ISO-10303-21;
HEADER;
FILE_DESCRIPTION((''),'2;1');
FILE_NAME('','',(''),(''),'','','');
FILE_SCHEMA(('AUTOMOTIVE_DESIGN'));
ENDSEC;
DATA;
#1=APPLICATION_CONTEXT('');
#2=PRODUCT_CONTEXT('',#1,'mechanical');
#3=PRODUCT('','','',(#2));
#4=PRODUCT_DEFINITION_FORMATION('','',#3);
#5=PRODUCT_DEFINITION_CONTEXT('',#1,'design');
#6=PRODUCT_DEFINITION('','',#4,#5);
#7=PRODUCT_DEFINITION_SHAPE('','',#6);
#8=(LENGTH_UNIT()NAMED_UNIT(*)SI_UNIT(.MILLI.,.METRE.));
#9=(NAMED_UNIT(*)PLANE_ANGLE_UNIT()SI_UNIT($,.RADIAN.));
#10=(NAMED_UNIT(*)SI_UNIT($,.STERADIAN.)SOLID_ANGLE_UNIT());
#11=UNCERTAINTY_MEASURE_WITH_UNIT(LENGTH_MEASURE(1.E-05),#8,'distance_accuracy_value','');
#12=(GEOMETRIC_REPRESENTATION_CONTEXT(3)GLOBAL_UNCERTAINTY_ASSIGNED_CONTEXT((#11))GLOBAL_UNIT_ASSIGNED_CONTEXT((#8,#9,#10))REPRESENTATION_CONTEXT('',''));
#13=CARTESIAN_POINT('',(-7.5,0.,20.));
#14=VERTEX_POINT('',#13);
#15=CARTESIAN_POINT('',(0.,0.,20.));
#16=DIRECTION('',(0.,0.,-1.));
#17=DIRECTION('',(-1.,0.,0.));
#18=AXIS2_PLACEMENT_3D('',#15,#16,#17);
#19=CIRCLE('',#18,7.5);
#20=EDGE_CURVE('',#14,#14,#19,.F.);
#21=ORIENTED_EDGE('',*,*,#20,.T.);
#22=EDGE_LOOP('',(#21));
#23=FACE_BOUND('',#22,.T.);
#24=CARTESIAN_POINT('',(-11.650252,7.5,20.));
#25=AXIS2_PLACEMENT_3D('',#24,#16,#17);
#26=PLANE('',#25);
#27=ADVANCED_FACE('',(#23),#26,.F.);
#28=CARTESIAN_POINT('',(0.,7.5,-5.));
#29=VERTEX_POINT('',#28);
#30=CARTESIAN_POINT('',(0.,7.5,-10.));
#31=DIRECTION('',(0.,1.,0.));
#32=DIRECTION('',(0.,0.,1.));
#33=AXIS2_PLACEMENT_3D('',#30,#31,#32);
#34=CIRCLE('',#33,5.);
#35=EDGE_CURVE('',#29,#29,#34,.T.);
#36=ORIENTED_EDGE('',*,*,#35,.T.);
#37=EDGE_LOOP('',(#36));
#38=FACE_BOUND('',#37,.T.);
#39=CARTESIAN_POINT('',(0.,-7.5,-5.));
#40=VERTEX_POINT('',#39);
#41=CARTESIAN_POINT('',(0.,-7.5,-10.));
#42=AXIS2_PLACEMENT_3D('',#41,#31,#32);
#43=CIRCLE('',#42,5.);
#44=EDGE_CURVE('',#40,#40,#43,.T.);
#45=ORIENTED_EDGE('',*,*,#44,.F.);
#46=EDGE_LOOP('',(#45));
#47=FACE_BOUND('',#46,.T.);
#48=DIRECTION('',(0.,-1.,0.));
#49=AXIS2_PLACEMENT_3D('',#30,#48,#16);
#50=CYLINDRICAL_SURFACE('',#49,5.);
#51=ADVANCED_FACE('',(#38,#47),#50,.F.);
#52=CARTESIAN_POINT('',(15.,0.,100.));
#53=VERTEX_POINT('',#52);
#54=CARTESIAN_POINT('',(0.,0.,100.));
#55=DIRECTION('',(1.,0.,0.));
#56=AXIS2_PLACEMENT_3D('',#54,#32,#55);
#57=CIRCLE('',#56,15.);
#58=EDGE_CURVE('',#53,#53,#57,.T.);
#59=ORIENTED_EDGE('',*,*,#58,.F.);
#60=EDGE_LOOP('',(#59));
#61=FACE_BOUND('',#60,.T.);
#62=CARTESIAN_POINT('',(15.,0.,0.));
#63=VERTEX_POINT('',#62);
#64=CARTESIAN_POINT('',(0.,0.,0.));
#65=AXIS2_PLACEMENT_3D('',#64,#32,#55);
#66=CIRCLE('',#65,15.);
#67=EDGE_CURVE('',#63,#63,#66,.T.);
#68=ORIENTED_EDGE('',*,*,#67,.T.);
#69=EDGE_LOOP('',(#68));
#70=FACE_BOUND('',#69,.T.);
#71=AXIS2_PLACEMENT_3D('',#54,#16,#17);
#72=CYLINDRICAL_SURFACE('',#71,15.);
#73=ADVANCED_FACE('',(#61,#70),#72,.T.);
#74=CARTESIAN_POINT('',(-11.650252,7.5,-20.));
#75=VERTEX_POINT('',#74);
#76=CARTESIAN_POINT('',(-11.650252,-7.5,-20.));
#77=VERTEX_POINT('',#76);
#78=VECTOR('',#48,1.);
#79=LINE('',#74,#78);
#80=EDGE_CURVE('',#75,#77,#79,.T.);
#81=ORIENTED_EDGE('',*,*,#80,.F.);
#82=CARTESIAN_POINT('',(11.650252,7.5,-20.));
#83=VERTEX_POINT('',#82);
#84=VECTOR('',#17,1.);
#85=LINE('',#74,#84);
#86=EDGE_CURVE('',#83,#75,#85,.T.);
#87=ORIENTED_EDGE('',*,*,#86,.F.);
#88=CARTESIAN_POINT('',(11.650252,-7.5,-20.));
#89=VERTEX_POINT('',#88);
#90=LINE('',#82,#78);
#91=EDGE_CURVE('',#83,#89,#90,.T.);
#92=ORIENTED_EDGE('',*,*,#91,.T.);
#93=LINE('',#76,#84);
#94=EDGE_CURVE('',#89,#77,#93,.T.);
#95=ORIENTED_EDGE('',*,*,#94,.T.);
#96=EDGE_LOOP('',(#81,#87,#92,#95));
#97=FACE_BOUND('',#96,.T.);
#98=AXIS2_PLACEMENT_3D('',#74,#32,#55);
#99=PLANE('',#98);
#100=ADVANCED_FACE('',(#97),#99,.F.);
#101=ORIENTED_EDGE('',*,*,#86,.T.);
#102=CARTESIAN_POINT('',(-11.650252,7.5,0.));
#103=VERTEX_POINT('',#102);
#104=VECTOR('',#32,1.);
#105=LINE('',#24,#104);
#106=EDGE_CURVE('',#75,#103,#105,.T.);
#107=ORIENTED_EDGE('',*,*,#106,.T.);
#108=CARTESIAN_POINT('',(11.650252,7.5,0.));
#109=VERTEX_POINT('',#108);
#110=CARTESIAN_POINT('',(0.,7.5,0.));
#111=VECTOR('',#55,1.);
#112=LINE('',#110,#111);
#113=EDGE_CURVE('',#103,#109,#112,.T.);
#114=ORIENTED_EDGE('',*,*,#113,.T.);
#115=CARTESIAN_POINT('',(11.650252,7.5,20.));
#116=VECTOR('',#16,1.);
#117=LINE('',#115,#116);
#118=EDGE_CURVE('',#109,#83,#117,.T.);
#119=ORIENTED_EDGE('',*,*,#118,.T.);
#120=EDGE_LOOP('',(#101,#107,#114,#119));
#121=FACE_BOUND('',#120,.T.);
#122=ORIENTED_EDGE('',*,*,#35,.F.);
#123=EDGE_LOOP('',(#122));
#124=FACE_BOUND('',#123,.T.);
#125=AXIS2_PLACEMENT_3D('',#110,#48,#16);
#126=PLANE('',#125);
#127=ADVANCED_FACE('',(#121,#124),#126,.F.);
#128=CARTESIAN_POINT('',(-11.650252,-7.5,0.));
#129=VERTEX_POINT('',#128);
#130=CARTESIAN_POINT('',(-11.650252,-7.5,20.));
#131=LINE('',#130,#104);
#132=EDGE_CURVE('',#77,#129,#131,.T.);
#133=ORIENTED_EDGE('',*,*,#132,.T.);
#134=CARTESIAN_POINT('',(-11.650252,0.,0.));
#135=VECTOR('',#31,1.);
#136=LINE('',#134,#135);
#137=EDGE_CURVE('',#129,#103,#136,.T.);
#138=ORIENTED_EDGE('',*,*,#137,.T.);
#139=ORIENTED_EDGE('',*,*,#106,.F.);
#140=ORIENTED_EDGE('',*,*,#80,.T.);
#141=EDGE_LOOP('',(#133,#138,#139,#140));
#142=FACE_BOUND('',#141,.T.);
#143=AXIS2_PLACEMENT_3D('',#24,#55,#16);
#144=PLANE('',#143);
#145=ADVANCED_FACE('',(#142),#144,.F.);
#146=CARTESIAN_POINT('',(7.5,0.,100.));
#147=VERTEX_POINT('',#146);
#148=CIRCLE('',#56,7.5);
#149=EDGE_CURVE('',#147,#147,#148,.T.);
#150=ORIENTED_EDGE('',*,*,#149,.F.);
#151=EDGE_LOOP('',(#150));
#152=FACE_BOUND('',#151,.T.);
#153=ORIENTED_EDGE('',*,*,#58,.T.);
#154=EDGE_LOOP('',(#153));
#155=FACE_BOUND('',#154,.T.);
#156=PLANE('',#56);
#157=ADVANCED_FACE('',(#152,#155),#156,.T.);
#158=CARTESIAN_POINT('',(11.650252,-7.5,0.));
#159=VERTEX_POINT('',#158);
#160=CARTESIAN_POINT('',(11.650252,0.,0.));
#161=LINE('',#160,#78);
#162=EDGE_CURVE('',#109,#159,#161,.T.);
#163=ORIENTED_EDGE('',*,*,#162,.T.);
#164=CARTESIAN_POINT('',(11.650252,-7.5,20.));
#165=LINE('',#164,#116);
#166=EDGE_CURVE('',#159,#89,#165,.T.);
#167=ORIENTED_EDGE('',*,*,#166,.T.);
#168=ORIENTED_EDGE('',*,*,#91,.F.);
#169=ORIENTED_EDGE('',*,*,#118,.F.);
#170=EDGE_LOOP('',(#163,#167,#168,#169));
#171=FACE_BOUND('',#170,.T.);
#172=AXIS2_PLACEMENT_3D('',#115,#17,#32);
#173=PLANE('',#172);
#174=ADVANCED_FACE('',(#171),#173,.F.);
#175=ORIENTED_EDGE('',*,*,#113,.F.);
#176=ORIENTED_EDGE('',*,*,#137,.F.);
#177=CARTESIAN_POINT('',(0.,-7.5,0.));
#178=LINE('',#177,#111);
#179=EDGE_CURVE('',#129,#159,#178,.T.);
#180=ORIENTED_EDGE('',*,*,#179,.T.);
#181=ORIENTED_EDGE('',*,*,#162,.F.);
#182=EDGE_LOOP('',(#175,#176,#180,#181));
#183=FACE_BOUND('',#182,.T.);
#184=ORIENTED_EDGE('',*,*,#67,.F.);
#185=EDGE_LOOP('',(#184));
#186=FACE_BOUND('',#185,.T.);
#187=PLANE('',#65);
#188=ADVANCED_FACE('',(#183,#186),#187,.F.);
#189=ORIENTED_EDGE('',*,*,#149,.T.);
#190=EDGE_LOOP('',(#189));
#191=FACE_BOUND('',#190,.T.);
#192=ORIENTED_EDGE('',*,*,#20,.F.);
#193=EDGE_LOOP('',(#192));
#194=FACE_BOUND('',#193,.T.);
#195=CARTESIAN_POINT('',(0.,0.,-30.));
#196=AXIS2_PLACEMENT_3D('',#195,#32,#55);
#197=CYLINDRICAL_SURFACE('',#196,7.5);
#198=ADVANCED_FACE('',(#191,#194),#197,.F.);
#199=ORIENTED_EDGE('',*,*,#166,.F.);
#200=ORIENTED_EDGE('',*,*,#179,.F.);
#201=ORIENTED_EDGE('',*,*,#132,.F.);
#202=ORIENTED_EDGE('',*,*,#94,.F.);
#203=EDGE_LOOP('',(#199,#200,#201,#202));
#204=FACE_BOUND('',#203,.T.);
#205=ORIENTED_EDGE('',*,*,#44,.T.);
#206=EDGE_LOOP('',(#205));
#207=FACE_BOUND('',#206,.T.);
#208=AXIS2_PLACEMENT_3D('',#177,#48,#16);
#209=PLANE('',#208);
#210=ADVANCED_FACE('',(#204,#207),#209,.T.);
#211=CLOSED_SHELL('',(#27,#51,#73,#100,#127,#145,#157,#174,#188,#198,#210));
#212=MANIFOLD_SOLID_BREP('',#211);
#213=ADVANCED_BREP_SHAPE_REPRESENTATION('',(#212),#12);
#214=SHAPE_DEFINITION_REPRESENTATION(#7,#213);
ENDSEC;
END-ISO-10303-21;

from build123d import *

# Parameters (mm, degrees)
SKETCH1_R           = 15
BOSS_EXTRUDE1_DEPTH = 100
SKETCH2_R           = 7.5
CUT_EXTRUDE1_DEPTH  = 130
SKETCH3_W           = 23.300503328
SKETCH3_H           = 40
SKETCH3_R           = 5
BOSS_EXTRUDE2_DEPTH = 7.5


with BuildPart() as part:
    # Sketch1 → Boss-Extrude1 (new body)
    with BuildSketch(Plane.XY):
        Circle(SKETCH1_R)
    extrude(amount=BOSS_EXTRUDE1_DEPTH)

    # Sketch2 → Cut-Extrude1 (cut)
    with BuildSketch(Plane.XY.offset(100)):
        Circle(SKETCH2_R)
    extrude(amount=-CUT_EXTRUDE1_DEPTH, mode=Mode.SUBTRACT)

    # Sketch3 → Boss-Extrude2 (add, symmetric)
    with BuildSketch(Plane(origin=(0, 0, 0), x_dir=(1, 0, 0), z_dir=(0, 1, 0))):
        Rectangle(SKETCH3_W, SKETCH3_H)
        with Locations((0, 10)):
            Circle(SKETCH3_R, mode=Mode.SUBTRACT)
    extrude(amount=BOSS_EXTRUDE2_DEPTH, both=True)


solid = part.part
